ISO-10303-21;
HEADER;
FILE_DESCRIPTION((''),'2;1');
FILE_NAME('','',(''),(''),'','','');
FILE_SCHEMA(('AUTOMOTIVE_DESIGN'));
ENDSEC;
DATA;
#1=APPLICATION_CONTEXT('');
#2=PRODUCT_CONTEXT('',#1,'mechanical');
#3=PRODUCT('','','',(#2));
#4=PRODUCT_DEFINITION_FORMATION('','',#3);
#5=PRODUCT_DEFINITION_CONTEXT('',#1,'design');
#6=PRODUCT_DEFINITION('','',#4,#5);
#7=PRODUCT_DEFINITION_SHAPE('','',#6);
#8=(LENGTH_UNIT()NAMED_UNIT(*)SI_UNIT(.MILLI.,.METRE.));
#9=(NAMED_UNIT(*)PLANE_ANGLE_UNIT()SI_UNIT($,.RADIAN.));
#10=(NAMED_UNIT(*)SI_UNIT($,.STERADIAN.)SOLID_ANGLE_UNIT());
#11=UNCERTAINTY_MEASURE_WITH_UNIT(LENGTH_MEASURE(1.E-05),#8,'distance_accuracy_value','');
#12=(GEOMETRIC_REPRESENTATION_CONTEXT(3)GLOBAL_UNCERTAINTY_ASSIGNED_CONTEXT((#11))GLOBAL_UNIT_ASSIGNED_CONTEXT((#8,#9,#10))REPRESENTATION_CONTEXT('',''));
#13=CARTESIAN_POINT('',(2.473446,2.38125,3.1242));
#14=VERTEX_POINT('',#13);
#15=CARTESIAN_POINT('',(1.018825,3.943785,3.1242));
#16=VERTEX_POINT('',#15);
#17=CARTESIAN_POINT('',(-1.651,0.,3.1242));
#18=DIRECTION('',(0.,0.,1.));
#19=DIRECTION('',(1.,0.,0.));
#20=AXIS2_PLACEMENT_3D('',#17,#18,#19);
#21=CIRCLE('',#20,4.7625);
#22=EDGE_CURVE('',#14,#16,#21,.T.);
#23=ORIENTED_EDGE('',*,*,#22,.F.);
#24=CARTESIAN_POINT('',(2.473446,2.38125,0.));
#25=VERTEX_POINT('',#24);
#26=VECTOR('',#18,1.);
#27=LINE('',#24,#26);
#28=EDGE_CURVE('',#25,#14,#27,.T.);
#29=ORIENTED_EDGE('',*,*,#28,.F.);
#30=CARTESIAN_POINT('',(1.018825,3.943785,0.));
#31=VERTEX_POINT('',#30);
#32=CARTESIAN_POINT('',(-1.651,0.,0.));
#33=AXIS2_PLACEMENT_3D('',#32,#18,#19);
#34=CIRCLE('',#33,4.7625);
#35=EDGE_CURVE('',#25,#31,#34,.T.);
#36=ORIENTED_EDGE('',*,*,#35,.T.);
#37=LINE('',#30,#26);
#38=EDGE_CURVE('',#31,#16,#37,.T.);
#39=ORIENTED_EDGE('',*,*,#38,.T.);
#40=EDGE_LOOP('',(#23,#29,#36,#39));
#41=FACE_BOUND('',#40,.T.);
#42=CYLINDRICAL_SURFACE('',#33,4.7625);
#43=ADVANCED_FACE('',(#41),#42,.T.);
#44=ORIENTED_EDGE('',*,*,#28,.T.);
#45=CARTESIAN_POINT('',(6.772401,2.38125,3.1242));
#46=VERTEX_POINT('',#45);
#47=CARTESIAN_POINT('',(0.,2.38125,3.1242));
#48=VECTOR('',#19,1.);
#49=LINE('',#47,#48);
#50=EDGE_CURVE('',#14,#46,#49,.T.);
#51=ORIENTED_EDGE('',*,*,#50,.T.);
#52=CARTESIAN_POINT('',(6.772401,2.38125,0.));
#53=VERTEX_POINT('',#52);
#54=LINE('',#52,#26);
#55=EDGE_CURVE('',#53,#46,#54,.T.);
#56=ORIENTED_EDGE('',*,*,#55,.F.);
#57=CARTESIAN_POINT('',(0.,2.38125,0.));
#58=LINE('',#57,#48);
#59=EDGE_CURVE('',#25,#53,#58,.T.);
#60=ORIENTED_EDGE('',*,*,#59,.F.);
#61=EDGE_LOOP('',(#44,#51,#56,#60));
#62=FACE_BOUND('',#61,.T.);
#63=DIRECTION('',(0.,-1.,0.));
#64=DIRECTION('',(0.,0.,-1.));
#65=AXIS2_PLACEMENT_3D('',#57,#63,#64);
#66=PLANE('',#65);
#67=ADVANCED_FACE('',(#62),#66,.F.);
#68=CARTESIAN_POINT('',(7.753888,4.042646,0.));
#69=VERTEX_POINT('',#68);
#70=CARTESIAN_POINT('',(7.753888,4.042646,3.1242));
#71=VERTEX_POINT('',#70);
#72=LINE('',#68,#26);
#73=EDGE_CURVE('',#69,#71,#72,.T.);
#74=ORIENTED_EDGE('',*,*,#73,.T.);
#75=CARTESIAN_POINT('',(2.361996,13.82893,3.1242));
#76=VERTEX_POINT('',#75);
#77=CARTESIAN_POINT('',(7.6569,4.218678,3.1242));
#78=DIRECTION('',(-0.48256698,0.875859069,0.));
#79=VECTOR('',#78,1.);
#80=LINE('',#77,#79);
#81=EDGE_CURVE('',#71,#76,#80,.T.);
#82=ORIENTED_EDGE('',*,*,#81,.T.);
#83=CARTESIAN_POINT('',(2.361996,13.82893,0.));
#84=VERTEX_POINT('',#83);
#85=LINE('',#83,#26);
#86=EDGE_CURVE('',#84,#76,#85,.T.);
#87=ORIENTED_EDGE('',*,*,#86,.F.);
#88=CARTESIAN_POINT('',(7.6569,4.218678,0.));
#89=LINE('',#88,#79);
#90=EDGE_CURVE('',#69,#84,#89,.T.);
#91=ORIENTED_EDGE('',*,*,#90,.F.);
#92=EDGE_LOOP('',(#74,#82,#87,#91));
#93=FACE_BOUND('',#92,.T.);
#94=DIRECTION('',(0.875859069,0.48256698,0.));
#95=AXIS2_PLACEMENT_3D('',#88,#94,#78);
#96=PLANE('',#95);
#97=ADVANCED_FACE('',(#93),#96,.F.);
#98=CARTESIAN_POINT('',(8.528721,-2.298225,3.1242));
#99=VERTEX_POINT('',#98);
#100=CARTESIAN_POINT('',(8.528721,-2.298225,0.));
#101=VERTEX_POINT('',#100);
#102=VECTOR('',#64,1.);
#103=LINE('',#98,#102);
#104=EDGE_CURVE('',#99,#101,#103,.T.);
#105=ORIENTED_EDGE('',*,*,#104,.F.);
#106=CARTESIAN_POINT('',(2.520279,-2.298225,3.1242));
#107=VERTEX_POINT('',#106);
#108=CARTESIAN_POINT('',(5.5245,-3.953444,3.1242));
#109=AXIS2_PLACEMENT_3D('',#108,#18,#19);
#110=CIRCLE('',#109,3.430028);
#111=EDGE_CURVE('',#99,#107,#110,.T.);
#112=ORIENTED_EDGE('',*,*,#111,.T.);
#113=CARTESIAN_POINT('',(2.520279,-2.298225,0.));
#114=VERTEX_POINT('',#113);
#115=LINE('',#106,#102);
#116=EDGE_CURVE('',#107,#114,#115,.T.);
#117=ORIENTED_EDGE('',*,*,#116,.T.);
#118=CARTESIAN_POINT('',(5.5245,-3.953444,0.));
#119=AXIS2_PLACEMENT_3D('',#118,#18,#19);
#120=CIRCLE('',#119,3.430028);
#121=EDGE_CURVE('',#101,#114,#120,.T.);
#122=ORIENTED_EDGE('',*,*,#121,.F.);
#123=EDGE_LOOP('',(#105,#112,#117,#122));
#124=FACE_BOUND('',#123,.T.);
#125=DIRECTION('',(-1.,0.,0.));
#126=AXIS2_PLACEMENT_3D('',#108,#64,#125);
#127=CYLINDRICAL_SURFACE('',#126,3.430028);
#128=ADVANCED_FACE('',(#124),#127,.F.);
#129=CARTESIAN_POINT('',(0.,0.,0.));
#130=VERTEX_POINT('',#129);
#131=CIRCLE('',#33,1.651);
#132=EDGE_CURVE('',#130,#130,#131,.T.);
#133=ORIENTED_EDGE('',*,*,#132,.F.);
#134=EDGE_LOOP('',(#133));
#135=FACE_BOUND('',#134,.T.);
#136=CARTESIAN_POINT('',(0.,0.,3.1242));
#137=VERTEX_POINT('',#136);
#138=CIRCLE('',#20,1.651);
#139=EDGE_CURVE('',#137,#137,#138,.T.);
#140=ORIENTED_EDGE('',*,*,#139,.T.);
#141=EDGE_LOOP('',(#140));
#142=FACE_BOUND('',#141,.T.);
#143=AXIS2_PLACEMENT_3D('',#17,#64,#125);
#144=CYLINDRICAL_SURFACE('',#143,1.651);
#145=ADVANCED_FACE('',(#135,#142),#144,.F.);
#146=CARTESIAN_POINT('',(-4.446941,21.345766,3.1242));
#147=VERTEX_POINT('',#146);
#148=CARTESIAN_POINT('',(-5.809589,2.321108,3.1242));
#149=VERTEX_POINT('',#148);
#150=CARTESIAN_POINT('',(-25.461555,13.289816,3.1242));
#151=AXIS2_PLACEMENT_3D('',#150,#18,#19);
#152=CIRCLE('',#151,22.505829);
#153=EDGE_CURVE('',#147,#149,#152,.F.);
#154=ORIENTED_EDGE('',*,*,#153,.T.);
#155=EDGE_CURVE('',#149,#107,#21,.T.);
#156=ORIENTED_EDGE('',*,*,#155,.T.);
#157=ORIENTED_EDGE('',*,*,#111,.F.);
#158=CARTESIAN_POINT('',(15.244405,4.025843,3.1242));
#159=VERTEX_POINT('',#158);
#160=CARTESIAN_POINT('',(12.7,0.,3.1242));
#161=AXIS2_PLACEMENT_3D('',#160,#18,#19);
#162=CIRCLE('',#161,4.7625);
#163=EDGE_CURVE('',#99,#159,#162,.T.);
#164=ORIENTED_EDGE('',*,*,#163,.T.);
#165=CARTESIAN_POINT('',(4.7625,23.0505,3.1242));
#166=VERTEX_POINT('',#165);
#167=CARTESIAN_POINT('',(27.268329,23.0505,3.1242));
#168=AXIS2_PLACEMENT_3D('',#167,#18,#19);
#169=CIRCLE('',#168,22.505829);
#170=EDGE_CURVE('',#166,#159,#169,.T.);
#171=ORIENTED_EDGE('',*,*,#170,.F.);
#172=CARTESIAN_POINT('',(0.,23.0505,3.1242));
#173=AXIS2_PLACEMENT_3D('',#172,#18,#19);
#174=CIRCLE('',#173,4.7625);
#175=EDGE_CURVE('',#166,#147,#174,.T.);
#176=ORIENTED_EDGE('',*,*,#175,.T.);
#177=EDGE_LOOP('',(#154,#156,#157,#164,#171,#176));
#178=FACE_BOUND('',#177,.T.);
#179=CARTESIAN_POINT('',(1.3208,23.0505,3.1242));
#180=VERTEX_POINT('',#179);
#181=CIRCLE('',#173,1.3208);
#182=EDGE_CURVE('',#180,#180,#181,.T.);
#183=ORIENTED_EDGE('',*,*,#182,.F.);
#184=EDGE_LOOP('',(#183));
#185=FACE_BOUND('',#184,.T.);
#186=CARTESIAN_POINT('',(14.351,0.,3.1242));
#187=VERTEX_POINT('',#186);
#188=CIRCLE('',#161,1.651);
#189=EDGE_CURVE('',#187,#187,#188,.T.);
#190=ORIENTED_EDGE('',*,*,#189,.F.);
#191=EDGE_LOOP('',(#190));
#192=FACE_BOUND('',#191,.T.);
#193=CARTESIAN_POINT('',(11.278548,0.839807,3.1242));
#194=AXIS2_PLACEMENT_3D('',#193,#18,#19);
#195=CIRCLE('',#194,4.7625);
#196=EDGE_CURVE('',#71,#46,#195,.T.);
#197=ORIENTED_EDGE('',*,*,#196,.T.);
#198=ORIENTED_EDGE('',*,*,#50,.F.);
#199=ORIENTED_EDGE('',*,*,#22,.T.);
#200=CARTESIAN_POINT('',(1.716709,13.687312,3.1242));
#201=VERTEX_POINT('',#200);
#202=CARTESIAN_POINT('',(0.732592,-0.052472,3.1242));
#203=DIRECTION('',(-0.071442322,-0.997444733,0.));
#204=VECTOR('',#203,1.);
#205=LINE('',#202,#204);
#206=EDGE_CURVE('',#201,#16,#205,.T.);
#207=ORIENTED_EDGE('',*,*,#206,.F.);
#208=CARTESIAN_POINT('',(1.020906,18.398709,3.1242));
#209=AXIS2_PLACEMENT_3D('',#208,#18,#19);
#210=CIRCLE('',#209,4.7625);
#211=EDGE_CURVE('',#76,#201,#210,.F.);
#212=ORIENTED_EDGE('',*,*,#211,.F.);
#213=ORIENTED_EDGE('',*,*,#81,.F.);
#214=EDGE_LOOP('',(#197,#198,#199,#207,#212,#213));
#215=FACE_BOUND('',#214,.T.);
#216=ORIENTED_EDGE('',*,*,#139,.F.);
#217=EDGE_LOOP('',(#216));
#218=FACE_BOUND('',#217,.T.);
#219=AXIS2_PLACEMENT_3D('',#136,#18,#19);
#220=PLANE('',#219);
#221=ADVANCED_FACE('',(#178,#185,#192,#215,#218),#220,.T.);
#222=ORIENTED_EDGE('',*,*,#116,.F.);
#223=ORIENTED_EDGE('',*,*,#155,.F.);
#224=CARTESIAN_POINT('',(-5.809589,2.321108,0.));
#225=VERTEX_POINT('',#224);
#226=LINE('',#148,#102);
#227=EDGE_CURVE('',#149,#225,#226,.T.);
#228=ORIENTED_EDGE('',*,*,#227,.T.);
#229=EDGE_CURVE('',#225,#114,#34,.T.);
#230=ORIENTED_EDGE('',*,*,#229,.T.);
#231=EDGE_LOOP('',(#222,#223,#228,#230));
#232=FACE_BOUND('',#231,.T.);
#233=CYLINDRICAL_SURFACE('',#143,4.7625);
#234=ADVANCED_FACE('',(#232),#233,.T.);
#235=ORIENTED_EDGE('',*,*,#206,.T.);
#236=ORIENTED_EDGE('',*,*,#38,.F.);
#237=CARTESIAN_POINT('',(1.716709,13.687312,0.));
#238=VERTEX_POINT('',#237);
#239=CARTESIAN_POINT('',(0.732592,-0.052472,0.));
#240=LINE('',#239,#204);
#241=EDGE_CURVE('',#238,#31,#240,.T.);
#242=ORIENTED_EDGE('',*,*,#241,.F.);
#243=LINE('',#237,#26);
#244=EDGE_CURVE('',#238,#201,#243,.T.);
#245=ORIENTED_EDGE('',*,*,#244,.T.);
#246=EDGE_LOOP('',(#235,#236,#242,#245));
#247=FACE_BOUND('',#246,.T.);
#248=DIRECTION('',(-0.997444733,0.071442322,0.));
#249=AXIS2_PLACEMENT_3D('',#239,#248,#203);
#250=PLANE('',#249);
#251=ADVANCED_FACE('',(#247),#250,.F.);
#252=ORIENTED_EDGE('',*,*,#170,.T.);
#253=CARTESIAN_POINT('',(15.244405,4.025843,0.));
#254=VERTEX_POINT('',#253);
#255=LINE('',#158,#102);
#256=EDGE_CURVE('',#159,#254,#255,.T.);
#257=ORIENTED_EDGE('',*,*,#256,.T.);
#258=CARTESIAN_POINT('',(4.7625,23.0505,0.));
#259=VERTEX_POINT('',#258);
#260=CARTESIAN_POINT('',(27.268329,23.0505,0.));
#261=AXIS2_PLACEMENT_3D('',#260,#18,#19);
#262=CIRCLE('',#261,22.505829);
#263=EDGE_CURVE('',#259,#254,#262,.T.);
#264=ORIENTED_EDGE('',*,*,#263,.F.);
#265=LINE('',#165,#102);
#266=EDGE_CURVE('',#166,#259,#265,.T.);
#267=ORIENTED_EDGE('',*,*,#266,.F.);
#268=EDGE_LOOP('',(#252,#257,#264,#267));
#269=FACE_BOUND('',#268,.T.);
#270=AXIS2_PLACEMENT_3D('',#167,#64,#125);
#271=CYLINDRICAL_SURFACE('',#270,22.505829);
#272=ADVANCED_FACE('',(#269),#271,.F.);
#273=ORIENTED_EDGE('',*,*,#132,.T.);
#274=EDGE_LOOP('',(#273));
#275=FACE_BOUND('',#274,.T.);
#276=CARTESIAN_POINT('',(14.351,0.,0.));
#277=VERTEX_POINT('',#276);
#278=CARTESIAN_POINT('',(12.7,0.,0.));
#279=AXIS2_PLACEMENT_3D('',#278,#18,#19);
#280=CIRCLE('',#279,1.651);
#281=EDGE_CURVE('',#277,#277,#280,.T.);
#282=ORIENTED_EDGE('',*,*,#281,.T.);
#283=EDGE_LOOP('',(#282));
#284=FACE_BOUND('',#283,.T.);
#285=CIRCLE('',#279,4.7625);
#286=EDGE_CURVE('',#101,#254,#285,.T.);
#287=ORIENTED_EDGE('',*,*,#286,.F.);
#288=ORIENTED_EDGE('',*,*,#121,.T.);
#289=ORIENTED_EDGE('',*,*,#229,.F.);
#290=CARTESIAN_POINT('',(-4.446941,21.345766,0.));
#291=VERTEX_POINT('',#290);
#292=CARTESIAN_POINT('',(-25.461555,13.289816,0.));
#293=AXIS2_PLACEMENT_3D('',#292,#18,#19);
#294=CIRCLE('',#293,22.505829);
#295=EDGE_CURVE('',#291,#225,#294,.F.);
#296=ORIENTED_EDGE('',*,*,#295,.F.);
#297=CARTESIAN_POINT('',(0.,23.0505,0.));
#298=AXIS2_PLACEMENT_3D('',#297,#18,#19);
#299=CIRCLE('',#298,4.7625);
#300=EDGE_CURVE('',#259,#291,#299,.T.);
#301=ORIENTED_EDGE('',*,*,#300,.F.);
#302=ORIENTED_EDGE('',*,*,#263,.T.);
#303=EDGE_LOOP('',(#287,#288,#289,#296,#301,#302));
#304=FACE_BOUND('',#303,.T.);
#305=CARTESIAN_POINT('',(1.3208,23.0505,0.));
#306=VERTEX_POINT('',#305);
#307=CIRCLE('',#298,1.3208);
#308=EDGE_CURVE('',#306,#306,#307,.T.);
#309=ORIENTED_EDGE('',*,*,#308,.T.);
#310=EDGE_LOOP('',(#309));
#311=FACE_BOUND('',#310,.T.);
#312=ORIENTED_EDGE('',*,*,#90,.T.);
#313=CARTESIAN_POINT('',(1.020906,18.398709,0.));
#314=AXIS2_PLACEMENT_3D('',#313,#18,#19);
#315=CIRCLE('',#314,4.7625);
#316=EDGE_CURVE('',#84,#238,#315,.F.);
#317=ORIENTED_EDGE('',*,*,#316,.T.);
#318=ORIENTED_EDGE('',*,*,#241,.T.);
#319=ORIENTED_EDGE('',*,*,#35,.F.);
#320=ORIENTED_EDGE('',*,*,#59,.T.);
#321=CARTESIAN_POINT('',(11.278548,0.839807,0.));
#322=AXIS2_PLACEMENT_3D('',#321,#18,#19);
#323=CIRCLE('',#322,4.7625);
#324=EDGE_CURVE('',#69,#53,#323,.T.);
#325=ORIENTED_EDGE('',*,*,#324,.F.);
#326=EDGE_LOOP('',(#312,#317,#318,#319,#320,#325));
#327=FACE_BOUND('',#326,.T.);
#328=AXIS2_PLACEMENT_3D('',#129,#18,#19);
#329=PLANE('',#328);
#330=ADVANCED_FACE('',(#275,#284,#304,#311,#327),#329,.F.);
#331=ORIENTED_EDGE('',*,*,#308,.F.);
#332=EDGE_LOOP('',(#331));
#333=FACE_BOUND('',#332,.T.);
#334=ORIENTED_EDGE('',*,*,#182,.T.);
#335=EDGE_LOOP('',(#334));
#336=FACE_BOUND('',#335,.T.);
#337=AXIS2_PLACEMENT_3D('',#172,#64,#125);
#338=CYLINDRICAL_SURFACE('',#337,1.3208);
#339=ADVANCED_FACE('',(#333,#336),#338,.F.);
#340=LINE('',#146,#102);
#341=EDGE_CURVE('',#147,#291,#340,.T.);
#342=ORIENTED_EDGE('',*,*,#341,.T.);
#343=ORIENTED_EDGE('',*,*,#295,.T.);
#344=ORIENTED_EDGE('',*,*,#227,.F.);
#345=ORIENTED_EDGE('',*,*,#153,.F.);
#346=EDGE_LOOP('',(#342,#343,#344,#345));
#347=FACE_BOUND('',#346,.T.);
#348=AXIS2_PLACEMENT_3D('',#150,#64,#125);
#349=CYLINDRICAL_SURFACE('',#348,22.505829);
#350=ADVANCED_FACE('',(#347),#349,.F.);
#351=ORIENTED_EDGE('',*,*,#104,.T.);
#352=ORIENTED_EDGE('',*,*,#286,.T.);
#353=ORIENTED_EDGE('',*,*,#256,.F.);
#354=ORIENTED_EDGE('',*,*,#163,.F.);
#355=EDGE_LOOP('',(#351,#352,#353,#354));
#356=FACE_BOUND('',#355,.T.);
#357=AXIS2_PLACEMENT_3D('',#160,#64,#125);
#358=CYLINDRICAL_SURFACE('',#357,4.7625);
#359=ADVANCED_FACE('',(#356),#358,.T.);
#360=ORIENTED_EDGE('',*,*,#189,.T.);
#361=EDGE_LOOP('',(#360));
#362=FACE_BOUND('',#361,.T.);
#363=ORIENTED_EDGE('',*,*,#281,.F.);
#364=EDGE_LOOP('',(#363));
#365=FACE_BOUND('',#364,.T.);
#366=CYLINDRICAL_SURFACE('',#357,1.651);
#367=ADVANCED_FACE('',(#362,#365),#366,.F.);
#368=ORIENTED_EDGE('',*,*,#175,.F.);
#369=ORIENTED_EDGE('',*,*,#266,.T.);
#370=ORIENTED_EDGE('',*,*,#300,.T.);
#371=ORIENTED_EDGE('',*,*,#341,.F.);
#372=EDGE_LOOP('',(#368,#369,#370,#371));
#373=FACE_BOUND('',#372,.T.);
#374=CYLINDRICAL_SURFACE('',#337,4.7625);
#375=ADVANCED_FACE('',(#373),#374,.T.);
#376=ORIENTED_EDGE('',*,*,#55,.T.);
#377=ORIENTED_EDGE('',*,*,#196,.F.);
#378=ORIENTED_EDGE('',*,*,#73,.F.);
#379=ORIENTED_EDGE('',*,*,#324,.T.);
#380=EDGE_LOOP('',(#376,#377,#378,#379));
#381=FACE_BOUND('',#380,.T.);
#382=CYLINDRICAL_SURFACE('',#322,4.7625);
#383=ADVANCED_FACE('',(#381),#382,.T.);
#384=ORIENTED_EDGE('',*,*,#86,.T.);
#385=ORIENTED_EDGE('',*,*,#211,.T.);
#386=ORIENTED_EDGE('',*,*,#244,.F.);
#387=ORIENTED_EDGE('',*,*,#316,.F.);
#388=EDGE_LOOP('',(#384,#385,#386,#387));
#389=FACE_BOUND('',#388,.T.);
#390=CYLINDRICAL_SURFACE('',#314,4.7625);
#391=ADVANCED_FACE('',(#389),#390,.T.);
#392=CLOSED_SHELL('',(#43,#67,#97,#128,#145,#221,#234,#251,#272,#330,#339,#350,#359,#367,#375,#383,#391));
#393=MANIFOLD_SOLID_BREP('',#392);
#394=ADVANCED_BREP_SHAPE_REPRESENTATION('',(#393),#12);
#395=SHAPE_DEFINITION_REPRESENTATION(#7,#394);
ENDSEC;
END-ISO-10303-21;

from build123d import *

# Parameters (mm, degrees)
CROQUIS1_R              = 1.651
CROQUIS1_R_2            = 1.3208
SALIENTE_EXTRUIR1_DEPTH = 3.1242
CORTAR_EXTRUIR1_DEPTH   = 3.1242


with BuildPart() as part:
    # Croquis1 → Saliente-Extruir1 (new body)
    with BuildSketch(Plane.XY):
        with BuildLine():
            ThreePointArc((2.520278818, -2.298225244), (5.5245, -0.523415469), (8.528721182, -2.298225244))
            ThreePointArc((8.528721182, -2.298225244), (15.964986845, -3.467169905), (15.244404767, 4.025842847))
            ThreePointArc((15.244404767, 4.025842847), (7.556394525, 12.189930179), (4.7625, 23.0505))
            ThreePointArc((4.7625, 23.0505), (-0.866847253, 27.733445877), (-4.446941298, 21.345765609))
            ThreePointArc((-4.446941298, 21.345765609), (-3.013234987, 11.681947272), (-5.809588918, 2.321108456))
            ThreePointArc((-5.809588918, 2.321108456), (-3.960675565, -4.164949584), (2.520278818, -2.298225244))
        make_face()
        with Locations((-1.651, 0)):
            Circle(CROQUIS1_R, mode=Mode.SUBTRACT)
        Polygon((4.638514436, 4.7625), (3.464816339, 4.7625), (3.599843554, 6.647687651), align=None, mode=Mode.SUBTRACT)
        with Locations((0, 23.0505)):
            Circle(CROQUIS1_R_2, mode=Mode.SUBTRACT)
        with Locations((12.7, 0)):
            Circle(CROQUIS1_R, mode=Mode.SUBTRACT)
    extrude(amount=SALIENTE_EXTRUIR1_DEPTH)

    # Croquis2 → Cortar-Extruir1 (cut)
    with BuildSketch(Plane.XY.offset(3.1242)):
        with BuildLine():
            ThreePointArc((6.772401381, 2.38125), (7.178118311, 3.26217793), (7.753887726, 4.042645627))
            Line((7.753887726, 4.042645627), (2.361995667, 13.828929715))
            ThreePointArc((2.361995667, 13.828929715), (2.041810785, 13.746918232), (1.71670875, 13.687311946))
            Line((1.71670875, 13.687311946), (1.018825269, 3.943784893))
            ThreePointArc((1.018825269, 3.943784893), (1.834815442, 3.24507272), (2.473445986, 2.38125))
            Line((2.473445986, 2.38125), (6.772401381, 2.38125))
        make_face()
    extrude(amount=-CORTAR_EXTRUIR1_DEPTH, mode=Mode.SUBTRACT)


solid = part.part
